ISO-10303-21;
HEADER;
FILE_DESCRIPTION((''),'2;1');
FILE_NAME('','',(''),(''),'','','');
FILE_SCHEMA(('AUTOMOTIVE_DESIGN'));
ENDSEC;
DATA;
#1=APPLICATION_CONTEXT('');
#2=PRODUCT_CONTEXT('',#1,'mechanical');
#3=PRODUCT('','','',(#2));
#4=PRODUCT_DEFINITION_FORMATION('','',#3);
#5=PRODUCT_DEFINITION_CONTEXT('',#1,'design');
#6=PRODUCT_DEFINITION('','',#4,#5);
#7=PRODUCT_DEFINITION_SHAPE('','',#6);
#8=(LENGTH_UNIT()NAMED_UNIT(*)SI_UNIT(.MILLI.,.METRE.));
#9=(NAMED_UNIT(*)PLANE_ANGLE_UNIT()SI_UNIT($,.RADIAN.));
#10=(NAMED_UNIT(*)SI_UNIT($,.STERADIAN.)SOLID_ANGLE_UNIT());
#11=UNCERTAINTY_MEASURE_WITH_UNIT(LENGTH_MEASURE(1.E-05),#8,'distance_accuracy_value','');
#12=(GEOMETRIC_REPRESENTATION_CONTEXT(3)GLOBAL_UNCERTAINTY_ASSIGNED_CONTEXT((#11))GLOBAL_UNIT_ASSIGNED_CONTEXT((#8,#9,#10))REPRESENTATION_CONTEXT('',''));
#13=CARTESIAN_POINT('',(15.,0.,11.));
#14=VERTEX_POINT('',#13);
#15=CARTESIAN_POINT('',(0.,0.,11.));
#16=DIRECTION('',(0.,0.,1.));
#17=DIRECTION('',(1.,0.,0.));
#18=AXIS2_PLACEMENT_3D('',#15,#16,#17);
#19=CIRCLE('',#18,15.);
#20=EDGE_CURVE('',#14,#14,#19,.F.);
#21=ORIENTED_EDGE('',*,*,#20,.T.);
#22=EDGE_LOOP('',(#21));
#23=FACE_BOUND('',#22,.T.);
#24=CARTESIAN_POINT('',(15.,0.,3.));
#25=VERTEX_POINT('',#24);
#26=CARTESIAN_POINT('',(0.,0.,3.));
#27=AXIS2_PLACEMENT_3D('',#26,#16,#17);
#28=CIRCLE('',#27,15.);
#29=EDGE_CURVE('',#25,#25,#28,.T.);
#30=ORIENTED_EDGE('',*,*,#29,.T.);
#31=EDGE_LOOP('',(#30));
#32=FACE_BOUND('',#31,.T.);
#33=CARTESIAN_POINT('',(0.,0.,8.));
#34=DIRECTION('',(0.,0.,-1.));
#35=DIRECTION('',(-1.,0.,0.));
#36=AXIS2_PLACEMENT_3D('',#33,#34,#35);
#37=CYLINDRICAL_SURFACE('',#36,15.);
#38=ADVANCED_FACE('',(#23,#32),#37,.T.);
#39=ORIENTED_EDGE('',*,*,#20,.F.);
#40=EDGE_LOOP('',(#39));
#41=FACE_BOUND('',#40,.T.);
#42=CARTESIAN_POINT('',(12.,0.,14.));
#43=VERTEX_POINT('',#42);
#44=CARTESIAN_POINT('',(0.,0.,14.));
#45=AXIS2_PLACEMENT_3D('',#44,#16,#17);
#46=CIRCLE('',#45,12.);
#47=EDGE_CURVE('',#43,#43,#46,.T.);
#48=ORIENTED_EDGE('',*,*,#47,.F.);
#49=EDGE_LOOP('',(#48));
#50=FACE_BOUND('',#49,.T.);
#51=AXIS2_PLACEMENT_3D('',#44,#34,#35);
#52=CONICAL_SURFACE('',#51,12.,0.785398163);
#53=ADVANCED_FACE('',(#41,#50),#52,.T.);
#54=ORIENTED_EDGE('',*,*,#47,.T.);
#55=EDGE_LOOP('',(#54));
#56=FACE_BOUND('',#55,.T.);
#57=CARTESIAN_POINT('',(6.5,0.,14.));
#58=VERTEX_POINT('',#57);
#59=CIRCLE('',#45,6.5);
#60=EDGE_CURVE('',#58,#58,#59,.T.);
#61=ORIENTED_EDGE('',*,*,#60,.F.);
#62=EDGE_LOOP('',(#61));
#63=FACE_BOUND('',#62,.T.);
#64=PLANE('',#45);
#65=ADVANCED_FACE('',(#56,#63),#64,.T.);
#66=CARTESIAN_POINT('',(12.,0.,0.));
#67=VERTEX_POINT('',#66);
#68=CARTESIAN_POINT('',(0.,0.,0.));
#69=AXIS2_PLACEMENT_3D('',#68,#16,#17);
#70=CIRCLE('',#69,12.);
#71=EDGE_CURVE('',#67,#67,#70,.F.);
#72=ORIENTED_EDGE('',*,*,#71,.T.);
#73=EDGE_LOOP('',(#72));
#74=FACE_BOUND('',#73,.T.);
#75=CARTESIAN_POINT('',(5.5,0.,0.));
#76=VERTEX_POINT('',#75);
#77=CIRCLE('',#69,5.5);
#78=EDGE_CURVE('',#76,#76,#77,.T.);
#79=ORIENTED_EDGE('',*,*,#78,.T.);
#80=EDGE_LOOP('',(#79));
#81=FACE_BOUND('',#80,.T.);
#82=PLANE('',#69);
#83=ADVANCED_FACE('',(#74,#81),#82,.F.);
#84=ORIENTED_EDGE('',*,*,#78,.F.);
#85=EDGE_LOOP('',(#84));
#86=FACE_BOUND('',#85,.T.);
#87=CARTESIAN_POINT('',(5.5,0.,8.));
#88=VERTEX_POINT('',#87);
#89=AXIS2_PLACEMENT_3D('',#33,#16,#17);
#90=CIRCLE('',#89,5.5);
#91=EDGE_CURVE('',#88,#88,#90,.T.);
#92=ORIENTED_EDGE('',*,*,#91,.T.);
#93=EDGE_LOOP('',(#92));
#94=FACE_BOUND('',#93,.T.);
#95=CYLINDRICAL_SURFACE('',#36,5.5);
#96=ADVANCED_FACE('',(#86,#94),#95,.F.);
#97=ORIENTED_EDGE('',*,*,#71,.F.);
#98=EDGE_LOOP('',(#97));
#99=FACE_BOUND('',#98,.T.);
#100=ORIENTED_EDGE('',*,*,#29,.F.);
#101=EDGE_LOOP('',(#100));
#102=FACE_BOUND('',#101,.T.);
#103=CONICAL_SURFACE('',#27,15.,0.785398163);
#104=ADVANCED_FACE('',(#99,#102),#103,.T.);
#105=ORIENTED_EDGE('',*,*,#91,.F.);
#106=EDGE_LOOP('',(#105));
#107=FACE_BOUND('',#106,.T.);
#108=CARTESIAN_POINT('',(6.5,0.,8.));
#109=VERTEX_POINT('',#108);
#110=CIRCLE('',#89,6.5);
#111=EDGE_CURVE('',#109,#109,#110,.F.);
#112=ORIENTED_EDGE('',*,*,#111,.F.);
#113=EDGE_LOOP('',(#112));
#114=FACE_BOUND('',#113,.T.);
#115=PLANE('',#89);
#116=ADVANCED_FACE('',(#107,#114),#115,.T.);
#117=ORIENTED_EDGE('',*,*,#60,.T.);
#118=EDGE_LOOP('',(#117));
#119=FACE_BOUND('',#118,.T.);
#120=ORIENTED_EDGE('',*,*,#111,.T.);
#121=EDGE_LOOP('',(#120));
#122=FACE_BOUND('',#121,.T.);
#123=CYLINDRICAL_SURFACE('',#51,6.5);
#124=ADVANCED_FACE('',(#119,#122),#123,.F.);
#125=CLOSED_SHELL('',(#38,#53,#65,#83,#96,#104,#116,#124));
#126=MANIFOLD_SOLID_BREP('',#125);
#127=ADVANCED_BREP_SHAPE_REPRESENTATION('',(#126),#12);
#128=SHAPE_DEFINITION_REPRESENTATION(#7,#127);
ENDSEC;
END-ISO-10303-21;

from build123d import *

# Parameters (mm, degrees)
SKETCH1_R           = 15
SKETCH1_R_2         = 5.5
BOSS_EXTRUDE1_DEPTH = 8
SKETCH2_R           = 15
SKETCH2_R_2         = 6.5
BOSS_EXTRUDE2_DEPTH = 6
CHAMFER1_SIZE       = 3


with BuildPart() as part:
    # Sketch1 → Boss-Extrude1 (new body)
    with BuildSketch(Plane.XY):
        Circle(SKETCH1_R)
        Circle(SKETCH1_R_2, mode=Mode.SUBTRACT)
    extrude(amount=BOSS_EXTRUDE1_DEPTH)

    # Sketch2 → Boss-Extrude2 (add)
    with BuildSketch(Plane.XY.offset(8)):
        Circle(SKETCH2_R)
        Circle(SKETCH2_R_2, mode=Mode.SUBTRACT)
    extrude(amount=BOSS_EXTRUDE2_DEPTH)

    # Chamfer1
    chamfer1_edges = [part.edges().sort_by_distance(p)[0] for p in [
        (-15, 0, 14),
        (-15, 0, 0),
    ]]
    chamfer(chamfer1_edges, length=CHAMFER1_SIZE)


solid = part.part
